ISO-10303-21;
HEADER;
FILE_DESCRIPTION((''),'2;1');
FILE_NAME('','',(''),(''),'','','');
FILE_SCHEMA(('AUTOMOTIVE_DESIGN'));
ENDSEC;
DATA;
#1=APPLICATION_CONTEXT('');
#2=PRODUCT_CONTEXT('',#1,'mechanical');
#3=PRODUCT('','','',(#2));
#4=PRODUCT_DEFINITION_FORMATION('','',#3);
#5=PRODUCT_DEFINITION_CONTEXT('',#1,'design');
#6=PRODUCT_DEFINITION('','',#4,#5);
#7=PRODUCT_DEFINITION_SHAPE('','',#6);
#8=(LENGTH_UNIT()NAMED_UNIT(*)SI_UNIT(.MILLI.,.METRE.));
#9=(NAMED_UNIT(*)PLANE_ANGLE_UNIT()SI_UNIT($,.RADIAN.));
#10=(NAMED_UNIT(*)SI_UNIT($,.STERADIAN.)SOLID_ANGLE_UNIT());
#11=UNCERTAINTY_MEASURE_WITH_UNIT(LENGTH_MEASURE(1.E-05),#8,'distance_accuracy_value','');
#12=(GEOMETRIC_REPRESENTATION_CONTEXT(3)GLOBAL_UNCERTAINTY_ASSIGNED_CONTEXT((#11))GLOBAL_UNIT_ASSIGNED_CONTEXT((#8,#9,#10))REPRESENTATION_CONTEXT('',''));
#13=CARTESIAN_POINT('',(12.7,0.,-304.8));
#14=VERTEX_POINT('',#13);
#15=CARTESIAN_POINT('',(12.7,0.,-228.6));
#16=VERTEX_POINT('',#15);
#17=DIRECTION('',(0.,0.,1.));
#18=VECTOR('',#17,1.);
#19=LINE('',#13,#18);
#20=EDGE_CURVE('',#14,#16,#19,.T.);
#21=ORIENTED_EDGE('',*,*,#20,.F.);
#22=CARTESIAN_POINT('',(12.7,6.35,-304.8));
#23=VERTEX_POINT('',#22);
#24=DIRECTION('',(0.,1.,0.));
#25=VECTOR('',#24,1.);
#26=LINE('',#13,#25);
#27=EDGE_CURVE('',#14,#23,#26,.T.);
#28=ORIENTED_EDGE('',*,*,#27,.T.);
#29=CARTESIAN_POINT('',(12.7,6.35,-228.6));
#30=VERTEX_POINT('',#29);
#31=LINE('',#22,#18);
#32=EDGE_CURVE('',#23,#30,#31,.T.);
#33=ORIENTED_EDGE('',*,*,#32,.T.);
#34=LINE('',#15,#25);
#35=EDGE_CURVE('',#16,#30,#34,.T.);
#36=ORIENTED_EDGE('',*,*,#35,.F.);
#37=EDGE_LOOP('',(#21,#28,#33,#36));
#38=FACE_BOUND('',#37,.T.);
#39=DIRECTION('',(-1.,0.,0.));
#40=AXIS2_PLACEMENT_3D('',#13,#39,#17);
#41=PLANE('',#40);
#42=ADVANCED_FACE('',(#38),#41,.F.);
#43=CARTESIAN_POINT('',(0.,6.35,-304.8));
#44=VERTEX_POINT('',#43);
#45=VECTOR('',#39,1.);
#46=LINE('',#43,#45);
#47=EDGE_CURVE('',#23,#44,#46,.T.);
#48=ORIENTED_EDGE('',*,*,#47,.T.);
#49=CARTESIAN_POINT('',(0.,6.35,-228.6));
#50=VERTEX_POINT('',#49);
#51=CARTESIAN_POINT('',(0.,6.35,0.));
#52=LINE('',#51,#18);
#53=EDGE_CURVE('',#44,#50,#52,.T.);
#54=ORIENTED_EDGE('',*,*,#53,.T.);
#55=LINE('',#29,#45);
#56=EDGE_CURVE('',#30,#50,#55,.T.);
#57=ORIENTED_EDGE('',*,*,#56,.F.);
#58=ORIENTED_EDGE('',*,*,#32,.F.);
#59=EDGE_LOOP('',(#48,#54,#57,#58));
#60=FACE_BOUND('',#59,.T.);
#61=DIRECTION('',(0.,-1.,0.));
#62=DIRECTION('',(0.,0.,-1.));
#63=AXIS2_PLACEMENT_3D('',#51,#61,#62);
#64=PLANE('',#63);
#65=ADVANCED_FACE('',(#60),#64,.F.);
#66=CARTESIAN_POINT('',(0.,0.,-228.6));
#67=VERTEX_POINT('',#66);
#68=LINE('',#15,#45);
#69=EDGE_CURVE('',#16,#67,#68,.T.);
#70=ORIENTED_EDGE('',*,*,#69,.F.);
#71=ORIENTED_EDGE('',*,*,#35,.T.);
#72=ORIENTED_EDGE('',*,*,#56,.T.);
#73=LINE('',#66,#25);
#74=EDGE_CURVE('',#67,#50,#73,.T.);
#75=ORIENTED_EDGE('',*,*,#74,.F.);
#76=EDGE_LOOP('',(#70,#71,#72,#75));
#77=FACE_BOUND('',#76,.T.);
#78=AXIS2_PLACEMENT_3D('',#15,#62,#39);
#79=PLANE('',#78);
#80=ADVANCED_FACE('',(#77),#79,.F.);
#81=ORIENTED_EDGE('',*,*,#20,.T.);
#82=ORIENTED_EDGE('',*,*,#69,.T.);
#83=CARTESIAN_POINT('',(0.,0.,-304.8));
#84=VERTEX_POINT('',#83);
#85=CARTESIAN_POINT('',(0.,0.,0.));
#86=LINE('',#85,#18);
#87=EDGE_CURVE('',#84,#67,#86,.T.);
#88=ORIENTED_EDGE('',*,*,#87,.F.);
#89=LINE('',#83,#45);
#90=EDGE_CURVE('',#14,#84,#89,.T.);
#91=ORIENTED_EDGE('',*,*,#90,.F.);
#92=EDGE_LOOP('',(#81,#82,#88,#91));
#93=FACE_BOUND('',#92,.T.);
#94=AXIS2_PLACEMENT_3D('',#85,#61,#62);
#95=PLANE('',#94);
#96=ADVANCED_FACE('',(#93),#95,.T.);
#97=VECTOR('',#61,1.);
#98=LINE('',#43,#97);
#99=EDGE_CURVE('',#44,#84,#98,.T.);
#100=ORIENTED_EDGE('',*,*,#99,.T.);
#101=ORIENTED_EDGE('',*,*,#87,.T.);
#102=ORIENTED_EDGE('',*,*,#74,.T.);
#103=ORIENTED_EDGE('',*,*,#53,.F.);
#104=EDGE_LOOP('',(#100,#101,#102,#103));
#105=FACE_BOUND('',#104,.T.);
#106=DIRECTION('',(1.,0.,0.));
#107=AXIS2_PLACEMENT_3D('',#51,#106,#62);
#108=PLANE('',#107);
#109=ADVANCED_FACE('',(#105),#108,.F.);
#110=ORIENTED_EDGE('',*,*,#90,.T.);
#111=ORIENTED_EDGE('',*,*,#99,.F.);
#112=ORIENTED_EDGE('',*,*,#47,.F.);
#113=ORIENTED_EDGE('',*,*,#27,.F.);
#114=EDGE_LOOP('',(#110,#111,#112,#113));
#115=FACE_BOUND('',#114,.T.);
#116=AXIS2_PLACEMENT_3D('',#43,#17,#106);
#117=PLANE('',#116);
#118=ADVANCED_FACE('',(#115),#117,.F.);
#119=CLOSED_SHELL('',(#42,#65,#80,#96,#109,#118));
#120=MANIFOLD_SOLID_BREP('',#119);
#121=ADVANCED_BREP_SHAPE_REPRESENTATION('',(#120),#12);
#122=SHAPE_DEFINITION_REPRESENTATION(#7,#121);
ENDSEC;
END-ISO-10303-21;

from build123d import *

# Parameters (mm, degrees)
SKETCH1_W           = 304.8
SKETCH1_H           = 304.8
BOSS_EXTRUDE1_DEPTH = 6.35
CUT_EXTRUDE2_DEPTH  = 6.35


with BuildPart() as part:
    # Sketch1 → Boss-Extrude1 (new body)
    with BuildSketch(Plane(origin=(0, 0, 0), x_dir=(1, 0, 0), z_dir=(0, 1, 0))):
        with Locations((152.4, 152.4)):
            Rectangle(SKETCH1_W, SKETCH1_H)
    extrude(amount=BOSS_EXTRUDE1_DEPTH)

    # Sketch2 → Cut-Extrude2 (cut)
    with BuildSketch(Plane(origin=(0, 6.35, 0), x_dir=(1, 0, 0), z_dir=(0, 1, 0))):
        Polygon((12.7, 304.8), (12.7, 228.6), (0, 228.6), (0, 0), (304.8, 0), (304.8, 304.8), align=None)
    extrude(amount=-CUT_EXTRUDE2_DEPTH, mode=Mode.SUBTRACT)


solid = part.part
